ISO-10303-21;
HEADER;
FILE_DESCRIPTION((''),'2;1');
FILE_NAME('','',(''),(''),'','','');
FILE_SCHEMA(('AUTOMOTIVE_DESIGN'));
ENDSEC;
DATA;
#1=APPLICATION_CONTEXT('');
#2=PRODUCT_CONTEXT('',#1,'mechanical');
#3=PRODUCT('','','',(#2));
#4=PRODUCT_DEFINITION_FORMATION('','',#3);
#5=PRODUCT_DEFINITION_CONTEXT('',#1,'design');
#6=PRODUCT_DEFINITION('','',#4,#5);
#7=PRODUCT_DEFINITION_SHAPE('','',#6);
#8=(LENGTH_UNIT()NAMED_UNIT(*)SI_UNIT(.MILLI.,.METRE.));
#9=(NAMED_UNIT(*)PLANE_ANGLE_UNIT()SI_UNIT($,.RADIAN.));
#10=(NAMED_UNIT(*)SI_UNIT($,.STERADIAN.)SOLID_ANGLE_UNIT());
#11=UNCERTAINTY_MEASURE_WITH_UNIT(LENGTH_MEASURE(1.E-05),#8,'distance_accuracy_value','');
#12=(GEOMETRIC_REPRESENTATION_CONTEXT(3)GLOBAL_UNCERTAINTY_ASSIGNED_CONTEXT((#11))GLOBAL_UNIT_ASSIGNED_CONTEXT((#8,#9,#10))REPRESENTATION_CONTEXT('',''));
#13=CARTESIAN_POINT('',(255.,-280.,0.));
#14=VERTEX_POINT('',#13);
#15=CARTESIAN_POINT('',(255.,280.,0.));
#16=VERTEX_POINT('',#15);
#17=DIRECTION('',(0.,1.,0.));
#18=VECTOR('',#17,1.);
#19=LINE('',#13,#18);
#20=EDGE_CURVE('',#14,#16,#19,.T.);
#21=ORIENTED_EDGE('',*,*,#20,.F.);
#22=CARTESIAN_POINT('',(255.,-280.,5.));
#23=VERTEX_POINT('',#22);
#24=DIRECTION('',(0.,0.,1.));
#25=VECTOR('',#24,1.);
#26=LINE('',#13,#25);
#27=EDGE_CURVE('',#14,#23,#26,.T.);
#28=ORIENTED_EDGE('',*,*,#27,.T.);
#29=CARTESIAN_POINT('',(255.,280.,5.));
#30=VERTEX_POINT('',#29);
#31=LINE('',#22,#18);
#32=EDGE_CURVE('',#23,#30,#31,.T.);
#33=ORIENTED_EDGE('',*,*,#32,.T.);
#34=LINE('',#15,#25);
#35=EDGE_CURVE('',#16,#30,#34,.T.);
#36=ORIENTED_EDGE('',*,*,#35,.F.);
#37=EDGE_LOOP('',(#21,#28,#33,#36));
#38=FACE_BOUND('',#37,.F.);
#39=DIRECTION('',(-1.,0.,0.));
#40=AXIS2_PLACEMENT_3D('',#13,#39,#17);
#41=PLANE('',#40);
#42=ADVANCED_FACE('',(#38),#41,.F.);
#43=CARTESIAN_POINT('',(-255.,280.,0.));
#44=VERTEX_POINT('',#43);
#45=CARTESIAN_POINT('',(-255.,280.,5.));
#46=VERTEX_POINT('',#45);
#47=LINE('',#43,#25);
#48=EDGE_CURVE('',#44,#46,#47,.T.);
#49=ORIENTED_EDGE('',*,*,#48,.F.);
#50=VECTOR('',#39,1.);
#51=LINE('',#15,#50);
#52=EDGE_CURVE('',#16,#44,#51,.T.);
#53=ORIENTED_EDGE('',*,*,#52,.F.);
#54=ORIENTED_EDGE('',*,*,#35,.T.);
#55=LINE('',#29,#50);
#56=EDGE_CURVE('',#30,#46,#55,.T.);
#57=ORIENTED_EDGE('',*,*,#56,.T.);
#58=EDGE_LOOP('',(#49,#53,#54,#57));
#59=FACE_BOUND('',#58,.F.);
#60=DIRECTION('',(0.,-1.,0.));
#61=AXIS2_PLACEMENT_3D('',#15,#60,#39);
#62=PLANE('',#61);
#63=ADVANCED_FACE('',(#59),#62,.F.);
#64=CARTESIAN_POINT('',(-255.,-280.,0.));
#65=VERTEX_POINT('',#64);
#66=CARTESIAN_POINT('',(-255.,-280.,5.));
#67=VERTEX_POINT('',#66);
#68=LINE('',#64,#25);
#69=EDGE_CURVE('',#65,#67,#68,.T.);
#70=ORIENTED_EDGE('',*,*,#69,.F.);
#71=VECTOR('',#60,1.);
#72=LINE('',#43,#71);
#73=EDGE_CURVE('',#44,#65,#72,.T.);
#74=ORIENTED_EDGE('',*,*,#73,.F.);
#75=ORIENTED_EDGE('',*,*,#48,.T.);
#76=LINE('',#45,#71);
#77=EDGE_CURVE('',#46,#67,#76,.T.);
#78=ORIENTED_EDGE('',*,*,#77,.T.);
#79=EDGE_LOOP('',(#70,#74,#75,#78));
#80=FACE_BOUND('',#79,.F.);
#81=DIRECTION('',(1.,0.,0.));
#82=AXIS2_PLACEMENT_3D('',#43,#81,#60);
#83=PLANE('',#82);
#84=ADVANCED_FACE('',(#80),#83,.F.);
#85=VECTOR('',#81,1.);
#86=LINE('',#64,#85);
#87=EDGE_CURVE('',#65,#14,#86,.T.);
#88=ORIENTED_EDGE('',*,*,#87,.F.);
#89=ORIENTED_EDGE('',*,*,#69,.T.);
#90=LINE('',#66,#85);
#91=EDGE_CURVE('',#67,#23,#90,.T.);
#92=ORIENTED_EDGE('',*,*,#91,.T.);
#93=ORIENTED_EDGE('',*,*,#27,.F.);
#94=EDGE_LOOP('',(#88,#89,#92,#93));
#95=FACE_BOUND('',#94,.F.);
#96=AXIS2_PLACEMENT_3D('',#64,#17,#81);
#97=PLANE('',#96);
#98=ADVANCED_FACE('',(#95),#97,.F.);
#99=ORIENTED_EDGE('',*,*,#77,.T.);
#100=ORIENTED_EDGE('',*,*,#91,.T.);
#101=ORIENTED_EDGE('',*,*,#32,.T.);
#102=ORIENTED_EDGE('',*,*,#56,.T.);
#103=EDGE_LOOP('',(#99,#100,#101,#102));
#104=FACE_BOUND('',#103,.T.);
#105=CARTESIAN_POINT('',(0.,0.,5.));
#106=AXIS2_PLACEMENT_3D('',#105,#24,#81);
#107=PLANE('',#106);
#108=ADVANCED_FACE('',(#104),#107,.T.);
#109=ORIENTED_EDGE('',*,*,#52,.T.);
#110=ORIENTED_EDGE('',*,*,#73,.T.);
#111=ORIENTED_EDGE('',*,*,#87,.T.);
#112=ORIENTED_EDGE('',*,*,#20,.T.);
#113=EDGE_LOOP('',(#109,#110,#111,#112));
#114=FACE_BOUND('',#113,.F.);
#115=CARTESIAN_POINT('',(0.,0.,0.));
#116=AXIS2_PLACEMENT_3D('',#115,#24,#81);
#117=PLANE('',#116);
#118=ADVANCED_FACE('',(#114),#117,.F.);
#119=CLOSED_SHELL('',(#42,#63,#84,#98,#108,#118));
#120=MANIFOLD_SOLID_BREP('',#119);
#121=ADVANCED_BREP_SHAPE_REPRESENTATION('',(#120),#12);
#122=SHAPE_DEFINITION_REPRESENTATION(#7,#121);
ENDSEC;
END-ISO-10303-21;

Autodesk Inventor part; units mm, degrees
ref_plane "YZ Plane" through (0, 0, 0) normal (1, 0, 0) x (0, 1, 0)
ref_plane "XZ Plane" through (0, 0, 0) normal (0, 1, 0) x (-1, 0, 0)
ref_plane "XY Plane" through (0, 0, 0) normal (0, 0, 1) x (1, 0, 0)
sketch "스케치1" plane through (0, 0, 0) normal (0, 0, 1) x (1, 0, 0)
  line L0 (-255, -280) -> (255, -280)
  line L1 (255, -280) -> (255, 280)
  line L2 (255, 280) -> (-255, 280)
  line L3 (-255, 280) -> (-255, -280)
  line L4 (-255, -280) -> (255, 280) construction
  line L5 (255, -280) -> (-255, 280) construction
  point P0 (0, 0)
  dimension "d0" = 510
  dimension "d1" = 560
extrude "돌출1" add sketch "스케치1" along normal blind 5
properties part number "610x510 패널"
